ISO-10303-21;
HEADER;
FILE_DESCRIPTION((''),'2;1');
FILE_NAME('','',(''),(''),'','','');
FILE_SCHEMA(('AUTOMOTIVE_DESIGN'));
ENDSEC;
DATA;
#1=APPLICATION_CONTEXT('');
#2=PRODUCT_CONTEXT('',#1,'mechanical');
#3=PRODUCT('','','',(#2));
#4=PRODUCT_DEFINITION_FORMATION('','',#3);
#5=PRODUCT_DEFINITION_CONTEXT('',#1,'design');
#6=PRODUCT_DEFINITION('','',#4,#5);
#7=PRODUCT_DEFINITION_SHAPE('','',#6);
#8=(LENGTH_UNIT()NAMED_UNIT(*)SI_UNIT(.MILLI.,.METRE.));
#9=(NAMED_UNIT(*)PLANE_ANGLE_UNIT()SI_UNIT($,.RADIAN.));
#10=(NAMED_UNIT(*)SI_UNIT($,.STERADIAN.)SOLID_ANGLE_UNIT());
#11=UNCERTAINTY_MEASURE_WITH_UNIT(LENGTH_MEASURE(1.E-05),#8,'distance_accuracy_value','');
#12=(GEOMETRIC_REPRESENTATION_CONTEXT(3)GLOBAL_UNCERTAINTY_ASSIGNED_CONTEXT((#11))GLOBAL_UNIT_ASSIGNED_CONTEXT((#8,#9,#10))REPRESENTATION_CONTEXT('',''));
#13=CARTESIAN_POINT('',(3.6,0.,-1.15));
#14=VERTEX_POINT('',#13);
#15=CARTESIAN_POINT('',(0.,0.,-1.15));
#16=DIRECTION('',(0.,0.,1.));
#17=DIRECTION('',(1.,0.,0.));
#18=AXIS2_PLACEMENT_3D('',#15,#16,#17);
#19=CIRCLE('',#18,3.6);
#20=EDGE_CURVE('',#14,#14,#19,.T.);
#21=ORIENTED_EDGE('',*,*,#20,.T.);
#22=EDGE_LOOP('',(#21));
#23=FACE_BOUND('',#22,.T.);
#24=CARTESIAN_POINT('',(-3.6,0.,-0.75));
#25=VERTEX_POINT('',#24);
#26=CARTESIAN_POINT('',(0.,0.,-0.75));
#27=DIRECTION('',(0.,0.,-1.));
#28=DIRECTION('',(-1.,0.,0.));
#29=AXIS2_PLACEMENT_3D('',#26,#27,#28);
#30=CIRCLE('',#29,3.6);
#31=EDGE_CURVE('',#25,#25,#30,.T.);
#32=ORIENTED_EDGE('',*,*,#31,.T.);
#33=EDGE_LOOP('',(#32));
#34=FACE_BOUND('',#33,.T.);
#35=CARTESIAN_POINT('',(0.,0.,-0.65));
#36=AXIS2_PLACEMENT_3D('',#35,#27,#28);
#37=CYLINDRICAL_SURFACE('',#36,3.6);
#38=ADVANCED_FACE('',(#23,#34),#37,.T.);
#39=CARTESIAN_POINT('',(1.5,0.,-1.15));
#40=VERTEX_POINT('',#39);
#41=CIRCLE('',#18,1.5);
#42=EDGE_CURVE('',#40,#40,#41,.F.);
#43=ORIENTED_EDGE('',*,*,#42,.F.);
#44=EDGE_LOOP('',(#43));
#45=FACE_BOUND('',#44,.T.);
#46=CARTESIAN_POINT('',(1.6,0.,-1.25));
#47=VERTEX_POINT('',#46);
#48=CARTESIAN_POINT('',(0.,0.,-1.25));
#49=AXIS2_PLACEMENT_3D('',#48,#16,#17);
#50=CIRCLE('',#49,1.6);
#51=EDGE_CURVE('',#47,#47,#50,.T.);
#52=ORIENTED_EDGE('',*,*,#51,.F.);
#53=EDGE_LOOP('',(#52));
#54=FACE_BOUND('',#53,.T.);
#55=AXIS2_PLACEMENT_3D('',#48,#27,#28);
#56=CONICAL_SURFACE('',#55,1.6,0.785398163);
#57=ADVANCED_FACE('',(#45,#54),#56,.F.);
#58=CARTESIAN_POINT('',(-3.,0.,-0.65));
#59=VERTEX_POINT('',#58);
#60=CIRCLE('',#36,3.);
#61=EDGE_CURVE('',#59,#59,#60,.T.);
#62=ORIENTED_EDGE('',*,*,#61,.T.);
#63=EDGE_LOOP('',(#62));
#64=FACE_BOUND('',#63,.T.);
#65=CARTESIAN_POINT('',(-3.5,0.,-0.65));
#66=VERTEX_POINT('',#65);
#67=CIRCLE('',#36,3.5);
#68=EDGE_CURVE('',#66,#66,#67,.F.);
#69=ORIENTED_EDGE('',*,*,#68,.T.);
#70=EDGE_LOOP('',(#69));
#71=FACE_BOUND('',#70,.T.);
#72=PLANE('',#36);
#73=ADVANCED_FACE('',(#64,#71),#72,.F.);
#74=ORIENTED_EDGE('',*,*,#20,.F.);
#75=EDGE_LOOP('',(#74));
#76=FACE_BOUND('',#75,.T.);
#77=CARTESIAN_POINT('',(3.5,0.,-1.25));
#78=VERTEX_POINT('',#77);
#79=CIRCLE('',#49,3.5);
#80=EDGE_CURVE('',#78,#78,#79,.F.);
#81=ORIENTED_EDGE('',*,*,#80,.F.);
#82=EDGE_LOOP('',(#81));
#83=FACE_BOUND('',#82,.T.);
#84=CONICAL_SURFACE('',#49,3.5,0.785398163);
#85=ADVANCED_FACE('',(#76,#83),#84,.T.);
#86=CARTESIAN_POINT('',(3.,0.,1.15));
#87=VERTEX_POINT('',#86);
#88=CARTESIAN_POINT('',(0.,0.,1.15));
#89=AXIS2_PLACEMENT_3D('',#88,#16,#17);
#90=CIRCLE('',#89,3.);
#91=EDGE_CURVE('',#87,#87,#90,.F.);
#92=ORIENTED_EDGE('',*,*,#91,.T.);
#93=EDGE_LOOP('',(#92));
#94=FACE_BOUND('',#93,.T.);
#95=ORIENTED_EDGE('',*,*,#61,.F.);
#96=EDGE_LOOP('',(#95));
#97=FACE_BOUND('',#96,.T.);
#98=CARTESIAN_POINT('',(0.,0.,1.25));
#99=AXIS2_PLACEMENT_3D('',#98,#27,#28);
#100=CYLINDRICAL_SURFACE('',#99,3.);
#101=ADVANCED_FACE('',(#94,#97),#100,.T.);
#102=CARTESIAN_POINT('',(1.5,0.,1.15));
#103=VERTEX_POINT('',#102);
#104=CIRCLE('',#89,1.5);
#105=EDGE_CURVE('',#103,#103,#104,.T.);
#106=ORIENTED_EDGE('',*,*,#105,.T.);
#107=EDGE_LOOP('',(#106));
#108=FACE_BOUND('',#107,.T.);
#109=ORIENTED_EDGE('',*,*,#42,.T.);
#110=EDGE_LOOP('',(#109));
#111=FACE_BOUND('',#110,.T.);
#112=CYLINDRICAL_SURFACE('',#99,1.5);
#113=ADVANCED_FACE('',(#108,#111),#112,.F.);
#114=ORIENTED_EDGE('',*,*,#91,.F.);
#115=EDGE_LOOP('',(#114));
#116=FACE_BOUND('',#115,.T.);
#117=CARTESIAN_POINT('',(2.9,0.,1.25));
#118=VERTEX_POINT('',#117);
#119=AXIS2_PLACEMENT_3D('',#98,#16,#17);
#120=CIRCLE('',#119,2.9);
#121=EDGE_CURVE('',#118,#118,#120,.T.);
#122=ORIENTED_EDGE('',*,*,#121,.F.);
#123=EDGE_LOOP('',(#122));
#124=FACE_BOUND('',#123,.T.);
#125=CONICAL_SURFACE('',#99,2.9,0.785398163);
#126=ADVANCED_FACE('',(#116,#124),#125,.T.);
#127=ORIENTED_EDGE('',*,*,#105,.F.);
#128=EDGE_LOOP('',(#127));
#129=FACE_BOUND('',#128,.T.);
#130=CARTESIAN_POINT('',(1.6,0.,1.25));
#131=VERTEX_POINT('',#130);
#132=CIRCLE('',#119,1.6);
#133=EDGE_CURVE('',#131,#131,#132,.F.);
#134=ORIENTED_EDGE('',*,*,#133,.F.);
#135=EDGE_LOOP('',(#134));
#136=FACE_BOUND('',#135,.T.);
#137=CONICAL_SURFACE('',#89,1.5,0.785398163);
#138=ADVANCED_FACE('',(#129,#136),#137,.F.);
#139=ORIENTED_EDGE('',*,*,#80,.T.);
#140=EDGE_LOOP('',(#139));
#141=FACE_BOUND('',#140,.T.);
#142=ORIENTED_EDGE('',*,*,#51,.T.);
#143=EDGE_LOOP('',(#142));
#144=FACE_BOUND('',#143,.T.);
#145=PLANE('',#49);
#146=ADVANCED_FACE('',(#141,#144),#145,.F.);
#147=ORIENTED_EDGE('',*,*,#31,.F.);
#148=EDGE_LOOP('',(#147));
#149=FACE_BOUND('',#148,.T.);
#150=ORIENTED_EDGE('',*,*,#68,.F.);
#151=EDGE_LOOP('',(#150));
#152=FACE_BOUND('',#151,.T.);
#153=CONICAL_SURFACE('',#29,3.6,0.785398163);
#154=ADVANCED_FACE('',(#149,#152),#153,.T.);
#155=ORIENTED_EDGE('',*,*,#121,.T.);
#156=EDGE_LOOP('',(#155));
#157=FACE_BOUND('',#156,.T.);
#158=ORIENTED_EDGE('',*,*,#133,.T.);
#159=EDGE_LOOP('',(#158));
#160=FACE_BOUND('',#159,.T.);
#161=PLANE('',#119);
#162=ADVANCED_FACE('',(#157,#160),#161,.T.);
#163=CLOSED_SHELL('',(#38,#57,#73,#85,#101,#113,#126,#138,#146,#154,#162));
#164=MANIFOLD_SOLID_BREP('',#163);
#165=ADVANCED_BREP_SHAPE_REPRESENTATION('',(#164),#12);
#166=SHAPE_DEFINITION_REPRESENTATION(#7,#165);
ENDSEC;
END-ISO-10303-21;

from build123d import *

# Parameters (mm, degrees)
SKETCH_1_R      = 3
SKETCH_1_R_2    = 1.5
EXTRUDE_1_DEPTH = 1.25
EXTRUDE_START   = -0.6
SKETCH_2_R      = 3.6
SKETCH_2_R_2    = 3
EXTRUDE_2_DEPTH = 0.6
CHAMFER_1_SIZE  = 0.1


with BuildPart() as part:
    # 草图1 → 凸台-拉伸1 (new, symmetric)
    with BuildSketch(Plane.XY):
        Circle(SKETCH_1_R)
        Circle(SKETCH_1_R_2, mode=Mode.SUBTRACT)
    extrude(amount=EXTRUDE_1_DEPTH, both=True)

    # 草图2 → 凸台-拉伸2 (add)
    with BuildSketch(Plane(origin=(0, 0, -1.25), x_dir=(-1, 0, 0), z_dir=(0, 0, -1)).offset(EXTRUDE_START)):
        Circle(SKETCH_2_R)
        Circle(SKETCH_2_R_2, mode=Mode.SUBTRACT)
    extrude(amount=EXTRUDE_2_DEPTH)

    # 倒角1
    chamfer_1_edges = [part.edges().sort_by_distance(p)[0] for p in [
        (3.6, 0, -0.65),
        (3.6, 0, -1.25),
        (-3, 0, 1.25),
        (-1.5, 0, -1.25),
        (-1.5, 0, 1.25),
    ]]
    chamfer(chamfer_1_edges, length=CHAMFER_1_SIZE)


solid = part.part
